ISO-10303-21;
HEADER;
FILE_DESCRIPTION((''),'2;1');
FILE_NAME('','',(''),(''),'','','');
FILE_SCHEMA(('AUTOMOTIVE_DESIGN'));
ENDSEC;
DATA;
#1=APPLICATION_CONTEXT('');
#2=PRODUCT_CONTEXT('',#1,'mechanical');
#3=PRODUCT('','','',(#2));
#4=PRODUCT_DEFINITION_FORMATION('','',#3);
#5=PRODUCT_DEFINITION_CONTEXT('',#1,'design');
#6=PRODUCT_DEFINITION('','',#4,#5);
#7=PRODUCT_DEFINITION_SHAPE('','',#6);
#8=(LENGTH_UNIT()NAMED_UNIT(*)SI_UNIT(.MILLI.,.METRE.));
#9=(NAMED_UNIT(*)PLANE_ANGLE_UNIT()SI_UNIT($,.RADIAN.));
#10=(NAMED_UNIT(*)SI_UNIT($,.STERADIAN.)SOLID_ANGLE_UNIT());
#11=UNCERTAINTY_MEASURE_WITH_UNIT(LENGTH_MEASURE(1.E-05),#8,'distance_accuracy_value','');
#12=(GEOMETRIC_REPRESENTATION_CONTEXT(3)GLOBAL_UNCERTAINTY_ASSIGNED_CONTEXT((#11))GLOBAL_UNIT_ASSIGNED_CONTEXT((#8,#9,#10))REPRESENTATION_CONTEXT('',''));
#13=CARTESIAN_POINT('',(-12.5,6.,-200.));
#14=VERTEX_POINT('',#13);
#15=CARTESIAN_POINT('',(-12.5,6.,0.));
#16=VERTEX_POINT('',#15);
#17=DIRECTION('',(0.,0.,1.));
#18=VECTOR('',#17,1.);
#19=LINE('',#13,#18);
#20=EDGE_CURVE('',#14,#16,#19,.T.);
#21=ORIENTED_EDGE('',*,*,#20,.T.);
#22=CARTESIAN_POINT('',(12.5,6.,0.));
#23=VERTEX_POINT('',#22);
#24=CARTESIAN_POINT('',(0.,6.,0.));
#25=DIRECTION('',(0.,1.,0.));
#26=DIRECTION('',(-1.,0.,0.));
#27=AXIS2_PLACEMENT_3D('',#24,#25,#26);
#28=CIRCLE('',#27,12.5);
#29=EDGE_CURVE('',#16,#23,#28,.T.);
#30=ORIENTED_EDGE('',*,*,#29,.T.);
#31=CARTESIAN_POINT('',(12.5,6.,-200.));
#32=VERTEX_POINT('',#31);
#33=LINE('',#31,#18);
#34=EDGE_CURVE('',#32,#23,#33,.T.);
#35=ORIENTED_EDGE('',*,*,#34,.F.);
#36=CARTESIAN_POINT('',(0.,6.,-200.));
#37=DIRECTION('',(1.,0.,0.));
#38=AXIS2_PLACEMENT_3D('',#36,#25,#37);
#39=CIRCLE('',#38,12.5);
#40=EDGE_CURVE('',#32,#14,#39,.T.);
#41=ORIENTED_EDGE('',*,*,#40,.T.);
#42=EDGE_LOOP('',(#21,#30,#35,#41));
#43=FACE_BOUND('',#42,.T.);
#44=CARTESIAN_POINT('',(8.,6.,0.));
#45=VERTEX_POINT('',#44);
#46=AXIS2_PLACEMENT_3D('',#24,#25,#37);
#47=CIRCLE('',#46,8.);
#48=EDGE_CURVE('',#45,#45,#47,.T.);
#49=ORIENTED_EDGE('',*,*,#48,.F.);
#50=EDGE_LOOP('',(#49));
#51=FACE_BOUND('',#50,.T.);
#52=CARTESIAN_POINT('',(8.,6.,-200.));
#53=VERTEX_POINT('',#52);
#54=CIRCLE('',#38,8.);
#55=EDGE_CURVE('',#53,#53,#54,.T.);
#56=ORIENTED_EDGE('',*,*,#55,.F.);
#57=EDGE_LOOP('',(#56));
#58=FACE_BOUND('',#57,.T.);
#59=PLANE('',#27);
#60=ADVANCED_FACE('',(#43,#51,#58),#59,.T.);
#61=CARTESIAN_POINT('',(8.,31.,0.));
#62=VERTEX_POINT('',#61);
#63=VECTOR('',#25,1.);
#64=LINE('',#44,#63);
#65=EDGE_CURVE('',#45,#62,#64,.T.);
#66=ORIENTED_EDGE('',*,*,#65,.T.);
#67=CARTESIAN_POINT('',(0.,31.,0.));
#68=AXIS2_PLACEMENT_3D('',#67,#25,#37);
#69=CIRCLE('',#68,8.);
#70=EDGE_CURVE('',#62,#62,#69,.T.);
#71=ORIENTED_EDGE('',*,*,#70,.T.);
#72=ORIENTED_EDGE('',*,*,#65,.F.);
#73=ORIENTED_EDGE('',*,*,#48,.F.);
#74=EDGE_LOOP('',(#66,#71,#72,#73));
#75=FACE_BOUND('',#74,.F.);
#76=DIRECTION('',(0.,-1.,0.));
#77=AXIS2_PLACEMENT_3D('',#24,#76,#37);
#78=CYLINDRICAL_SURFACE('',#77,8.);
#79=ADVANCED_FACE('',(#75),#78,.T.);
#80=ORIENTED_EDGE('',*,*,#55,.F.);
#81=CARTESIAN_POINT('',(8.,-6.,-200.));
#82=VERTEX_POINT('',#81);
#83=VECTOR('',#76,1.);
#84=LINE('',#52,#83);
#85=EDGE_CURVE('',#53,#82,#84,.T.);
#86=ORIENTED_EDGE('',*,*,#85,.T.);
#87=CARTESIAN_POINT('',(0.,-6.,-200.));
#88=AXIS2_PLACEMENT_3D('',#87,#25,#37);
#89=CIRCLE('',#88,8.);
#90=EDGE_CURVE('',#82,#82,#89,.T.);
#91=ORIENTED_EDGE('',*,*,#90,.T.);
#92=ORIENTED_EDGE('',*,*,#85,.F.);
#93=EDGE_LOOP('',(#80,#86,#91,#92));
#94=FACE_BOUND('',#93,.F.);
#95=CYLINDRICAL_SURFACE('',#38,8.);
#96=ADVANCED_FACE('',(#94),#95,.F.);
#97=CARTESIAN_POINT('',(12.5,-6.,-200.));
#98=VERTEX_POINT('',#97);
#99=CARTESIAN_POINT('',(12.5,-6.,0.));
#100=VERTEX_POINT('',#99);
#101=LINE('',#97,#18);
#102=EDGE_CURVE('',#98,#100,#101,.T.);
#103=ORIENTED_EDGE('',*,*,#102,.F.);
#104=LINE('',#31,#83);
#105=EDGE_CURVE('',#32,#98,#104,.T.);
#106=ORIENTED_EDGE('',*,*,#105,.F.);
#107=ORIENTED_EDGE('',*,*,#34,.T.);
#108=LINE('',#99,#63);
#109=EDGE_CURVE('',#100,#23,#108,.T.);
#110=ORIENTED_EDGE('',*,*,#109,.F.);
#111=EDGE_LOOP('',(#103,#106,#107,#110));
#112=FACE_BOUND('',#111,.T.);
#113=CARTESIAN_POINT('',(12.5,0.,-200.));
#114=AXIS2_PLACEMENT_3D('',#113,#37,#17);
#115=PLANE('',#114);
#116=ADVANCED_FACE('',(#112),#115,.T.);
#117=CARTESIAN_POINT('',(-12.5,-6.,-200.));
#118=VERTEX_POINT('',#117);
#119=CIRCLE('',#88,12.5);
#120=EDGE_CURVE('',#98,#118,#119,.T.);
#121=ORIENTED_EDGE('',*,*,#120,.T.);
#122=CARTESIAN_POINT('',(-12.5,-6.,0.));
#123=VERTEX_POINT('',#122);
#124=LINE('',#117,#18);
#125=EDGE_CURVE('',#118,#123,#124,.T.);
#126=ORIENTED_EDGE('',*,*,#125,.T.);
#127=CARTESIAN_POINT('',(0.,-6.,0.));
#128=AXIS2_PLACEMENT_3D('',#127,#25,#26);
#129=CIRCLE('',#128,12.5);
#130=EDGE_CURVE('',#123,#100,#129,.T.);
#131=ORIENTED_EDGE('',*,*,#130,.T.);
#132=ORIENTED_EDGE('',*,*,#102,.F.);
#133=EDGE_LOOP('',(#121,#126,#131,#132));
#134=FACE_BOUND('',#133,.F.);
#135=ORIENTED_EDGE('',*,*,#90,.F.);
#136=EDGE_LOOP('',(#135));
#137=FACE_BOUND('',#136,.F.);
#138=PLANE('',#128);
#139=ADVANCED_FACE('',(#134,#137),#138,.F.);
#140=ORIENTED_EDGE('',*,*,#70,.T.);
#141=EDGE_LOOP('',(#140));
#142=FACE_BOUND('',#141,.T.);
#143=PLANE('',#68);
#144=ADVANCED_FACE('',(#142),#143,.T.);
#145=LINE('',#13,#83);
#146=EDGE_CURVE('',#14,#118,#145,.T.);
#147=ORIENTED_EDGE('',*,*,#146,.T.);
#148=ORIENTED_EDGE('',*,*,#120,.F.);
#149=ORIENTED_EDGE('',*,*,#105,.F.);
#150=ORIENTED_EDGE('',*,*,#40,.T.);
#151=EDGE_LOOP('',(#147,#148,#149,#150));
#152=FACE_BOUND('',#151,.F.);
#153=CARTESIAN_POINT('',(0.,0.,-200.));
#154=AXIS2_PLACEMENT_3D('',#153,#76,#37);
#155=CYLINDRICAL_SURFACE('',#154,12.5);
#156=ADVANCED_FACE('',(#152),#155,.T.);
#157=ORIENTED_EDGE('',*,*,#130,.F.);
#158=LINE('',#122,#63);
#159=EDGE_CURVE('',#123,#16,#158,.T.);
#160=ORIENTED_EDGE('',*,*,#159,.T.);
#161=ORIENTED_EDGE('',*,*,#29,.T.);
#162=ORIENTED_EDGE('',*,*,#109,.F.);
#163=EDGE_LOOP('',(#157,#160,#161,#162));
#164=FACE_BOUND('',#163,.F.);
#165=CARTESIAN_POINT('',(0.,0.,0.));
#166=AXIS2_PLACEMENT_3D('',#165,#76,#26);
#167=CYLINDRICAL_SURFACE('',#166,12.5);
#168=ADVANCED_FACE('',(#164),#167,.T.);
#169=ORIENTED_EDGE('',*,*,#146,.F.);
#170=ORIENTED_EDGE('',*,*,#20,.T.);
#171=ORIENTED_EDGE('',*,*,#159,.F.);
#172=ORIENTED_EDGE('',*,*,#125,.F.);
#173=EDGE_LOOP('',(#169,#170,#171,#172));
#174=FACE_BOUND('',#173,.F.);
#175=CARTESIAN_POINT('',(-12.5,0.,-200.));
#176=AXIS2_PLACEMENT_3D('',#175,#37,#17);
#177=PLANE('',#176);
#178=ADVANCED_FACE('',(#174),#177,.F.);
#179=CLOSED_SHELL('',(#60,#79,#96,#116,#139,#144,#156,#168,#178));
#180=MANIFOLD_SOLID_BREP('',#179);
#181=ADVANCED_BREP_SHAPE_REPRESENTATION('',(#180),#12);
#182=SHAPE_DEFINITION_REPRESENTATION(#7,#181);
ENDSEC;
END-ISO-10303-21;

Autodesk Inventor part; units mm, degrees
ref_plane "YZ Plane" through (0, 0, 0) normal (1, 0, 0) x (0, 1, 0)
ref_plane "XZ Plane" through (0, 0, 0) normal (0, 1, 0) x (-1, 0, 0)
ref_plane "XY Plane" through (0, 0, 0) normal (0, 0, 1) x (1, 0, 0)
sketch "Sketch1" plane through (0, 0, 0) normal (0, 1, 0) x (-1, 0, 0)
  line L0 (0, 0) -> (0, -200) construction
  arc A0 (12.5, 0) -> (-12.5, 0) centre (0, 0) ccw
  arc A1 (-12.5, -200) -> (12.5, -200) centre (0, -200) ccw
  line L1 (12.5, -200) -> (12.5, 0)
  line L2 (-12.5, -200) -> (-12.5, 0)
  dimension "d0" = 200
  dimension "d3" = 25
  dimension "d4" = 25
extrude "Extrusion1" add sketch "Sketch1" along normal mid plane 12
sketch "Sketch2" plane through (0, 6, 0) normal (0, 1, 0) x (1, 0, 0)
  circle A0 centre (0, 0) radius 8
  dimension "d7" = 16
extrude "Extrusion2" add sketch "Sketch2" along normal blind 25
sketch "Sketch3" plane through (0, 6, 0) normal (0, 1, 0) x (1, 0, 0)
  circle A0 centre (0, 200) radius 8
  point P0 (0, 0)
  dimension "d10" = 16
extrude "Extrusion3" cut sketch "Sketch3" against normal blind 12
properties part number "manivela"
